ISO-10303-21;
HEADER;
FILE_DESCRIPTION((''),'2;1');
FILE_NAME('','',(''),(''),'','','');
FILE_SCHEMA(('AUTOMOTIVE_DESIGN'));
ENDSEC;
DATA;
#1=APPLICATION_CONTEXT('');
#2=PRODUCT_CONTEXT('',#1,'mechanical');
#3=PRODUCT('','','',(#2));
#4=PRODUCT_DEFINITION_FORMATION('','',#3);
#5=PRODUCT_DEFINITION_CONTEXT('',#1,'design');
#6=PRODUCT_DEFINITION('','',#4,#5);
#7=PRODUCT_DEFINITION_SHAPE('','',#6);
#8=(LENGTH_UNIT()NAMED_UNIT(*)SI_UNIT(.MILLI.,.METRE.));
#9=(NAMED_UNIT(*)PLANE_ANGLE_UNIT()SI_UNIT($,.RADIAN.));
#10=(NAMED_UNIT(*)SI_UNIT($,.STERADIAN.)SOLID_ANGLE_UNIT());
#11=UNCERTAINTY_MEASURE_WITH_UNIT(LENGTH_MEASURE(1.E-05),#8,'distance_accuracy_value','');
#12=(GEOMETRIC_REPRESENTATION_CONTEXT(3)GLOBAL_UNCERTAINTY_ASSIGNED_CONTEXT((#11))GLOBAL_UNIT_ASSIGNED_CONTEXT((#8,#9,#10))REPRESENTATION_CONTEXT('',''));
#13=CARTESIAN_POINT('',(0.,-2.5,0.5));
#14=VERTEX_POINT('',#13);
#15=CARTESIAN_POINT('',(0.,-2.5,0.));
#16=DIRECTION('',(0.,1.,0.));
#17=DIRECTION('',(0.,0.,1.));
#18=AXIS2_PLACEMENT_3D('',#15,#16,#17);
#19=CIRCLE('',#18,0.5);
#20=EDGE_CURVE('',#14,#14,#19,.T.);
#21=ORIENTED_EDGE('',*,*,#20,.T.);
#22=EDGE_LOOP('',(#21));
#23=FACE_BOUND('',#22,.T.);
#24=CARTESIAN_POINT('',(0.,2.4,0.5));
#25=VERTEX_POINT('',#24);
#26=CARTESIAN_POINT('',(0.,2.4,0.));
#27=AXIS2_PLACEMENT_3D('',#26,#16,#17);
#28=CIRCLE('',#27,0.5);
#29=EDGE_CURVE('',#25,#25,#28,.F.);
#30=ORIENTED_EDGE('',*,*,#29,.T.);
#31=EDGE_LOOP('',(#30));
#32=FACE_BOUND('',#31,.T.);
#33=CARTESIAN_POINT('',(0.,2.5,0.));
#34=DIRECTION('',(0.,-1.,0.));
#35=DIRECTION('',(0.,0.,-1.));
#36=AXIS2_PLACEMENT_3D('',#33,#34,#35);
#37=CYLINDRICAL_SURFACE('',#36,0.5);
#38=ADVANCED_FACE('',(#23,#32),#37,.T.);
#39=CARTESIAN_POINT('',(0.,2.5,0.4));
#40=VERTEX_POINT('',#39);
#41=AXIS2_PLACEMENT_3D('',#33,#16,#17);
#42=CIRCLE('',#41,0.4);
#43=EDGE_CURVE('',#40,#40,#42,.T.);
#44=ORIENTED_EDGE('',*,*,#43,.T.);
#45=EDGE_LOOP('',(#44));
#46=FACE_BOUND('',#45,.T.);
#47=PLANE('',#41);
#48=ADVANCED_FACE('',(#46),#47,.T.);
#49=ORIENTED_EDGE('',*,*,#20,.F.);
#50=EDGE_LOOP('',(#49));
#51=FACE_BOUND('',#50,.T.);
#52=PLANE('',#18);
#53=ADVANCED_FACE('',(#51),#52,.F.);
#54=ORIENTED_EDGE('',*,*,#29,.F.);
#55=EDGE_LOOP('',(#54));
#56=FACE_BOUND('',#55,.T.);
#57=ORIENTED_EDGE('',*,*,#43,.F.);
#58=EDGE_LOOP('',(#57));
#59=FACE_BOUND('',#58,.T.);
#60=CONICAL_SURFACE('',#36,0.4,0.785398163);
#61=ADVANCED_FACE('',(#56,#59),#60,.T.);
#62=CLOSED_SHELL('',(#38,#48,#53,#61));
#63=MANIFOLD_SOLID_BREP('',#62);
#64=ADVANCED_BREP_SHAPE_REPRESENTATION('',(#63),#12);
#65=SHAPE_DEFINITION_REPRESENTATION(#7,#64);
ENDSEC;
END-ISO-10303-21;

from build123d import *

# Parameters (mm, degrees)
SCHIZZO1_R                   = 0.5
ESTRUSIONE_ESTRUSIONE1_DEPTH = 2.5
SMUSSO1_SIZE                 = 0.1


with BuildPart() as part:
    # Schizzo1 → Estrusione-Estrusione1 (new body, symmetric)
    with BuildSketch(Plane(origin=(0, 0, 0), x_dir=(1, 0, 0), z_dir=(0, 1, 0))):
        Circle(SCHIZZO1_R)
    extrude(amount=ESTRUSIONE_ESTRUSIONE1_DEPTH, both=True)

    # Smusso1
    smusso1_edges = [part.edges().sort_by_distance(p)[0] for p in [
        (-0.5, 2.5, 0),
    ]]
    chamfer(smusso1_edges, length=SMUSSO1_SIZE)


solid = part.part
